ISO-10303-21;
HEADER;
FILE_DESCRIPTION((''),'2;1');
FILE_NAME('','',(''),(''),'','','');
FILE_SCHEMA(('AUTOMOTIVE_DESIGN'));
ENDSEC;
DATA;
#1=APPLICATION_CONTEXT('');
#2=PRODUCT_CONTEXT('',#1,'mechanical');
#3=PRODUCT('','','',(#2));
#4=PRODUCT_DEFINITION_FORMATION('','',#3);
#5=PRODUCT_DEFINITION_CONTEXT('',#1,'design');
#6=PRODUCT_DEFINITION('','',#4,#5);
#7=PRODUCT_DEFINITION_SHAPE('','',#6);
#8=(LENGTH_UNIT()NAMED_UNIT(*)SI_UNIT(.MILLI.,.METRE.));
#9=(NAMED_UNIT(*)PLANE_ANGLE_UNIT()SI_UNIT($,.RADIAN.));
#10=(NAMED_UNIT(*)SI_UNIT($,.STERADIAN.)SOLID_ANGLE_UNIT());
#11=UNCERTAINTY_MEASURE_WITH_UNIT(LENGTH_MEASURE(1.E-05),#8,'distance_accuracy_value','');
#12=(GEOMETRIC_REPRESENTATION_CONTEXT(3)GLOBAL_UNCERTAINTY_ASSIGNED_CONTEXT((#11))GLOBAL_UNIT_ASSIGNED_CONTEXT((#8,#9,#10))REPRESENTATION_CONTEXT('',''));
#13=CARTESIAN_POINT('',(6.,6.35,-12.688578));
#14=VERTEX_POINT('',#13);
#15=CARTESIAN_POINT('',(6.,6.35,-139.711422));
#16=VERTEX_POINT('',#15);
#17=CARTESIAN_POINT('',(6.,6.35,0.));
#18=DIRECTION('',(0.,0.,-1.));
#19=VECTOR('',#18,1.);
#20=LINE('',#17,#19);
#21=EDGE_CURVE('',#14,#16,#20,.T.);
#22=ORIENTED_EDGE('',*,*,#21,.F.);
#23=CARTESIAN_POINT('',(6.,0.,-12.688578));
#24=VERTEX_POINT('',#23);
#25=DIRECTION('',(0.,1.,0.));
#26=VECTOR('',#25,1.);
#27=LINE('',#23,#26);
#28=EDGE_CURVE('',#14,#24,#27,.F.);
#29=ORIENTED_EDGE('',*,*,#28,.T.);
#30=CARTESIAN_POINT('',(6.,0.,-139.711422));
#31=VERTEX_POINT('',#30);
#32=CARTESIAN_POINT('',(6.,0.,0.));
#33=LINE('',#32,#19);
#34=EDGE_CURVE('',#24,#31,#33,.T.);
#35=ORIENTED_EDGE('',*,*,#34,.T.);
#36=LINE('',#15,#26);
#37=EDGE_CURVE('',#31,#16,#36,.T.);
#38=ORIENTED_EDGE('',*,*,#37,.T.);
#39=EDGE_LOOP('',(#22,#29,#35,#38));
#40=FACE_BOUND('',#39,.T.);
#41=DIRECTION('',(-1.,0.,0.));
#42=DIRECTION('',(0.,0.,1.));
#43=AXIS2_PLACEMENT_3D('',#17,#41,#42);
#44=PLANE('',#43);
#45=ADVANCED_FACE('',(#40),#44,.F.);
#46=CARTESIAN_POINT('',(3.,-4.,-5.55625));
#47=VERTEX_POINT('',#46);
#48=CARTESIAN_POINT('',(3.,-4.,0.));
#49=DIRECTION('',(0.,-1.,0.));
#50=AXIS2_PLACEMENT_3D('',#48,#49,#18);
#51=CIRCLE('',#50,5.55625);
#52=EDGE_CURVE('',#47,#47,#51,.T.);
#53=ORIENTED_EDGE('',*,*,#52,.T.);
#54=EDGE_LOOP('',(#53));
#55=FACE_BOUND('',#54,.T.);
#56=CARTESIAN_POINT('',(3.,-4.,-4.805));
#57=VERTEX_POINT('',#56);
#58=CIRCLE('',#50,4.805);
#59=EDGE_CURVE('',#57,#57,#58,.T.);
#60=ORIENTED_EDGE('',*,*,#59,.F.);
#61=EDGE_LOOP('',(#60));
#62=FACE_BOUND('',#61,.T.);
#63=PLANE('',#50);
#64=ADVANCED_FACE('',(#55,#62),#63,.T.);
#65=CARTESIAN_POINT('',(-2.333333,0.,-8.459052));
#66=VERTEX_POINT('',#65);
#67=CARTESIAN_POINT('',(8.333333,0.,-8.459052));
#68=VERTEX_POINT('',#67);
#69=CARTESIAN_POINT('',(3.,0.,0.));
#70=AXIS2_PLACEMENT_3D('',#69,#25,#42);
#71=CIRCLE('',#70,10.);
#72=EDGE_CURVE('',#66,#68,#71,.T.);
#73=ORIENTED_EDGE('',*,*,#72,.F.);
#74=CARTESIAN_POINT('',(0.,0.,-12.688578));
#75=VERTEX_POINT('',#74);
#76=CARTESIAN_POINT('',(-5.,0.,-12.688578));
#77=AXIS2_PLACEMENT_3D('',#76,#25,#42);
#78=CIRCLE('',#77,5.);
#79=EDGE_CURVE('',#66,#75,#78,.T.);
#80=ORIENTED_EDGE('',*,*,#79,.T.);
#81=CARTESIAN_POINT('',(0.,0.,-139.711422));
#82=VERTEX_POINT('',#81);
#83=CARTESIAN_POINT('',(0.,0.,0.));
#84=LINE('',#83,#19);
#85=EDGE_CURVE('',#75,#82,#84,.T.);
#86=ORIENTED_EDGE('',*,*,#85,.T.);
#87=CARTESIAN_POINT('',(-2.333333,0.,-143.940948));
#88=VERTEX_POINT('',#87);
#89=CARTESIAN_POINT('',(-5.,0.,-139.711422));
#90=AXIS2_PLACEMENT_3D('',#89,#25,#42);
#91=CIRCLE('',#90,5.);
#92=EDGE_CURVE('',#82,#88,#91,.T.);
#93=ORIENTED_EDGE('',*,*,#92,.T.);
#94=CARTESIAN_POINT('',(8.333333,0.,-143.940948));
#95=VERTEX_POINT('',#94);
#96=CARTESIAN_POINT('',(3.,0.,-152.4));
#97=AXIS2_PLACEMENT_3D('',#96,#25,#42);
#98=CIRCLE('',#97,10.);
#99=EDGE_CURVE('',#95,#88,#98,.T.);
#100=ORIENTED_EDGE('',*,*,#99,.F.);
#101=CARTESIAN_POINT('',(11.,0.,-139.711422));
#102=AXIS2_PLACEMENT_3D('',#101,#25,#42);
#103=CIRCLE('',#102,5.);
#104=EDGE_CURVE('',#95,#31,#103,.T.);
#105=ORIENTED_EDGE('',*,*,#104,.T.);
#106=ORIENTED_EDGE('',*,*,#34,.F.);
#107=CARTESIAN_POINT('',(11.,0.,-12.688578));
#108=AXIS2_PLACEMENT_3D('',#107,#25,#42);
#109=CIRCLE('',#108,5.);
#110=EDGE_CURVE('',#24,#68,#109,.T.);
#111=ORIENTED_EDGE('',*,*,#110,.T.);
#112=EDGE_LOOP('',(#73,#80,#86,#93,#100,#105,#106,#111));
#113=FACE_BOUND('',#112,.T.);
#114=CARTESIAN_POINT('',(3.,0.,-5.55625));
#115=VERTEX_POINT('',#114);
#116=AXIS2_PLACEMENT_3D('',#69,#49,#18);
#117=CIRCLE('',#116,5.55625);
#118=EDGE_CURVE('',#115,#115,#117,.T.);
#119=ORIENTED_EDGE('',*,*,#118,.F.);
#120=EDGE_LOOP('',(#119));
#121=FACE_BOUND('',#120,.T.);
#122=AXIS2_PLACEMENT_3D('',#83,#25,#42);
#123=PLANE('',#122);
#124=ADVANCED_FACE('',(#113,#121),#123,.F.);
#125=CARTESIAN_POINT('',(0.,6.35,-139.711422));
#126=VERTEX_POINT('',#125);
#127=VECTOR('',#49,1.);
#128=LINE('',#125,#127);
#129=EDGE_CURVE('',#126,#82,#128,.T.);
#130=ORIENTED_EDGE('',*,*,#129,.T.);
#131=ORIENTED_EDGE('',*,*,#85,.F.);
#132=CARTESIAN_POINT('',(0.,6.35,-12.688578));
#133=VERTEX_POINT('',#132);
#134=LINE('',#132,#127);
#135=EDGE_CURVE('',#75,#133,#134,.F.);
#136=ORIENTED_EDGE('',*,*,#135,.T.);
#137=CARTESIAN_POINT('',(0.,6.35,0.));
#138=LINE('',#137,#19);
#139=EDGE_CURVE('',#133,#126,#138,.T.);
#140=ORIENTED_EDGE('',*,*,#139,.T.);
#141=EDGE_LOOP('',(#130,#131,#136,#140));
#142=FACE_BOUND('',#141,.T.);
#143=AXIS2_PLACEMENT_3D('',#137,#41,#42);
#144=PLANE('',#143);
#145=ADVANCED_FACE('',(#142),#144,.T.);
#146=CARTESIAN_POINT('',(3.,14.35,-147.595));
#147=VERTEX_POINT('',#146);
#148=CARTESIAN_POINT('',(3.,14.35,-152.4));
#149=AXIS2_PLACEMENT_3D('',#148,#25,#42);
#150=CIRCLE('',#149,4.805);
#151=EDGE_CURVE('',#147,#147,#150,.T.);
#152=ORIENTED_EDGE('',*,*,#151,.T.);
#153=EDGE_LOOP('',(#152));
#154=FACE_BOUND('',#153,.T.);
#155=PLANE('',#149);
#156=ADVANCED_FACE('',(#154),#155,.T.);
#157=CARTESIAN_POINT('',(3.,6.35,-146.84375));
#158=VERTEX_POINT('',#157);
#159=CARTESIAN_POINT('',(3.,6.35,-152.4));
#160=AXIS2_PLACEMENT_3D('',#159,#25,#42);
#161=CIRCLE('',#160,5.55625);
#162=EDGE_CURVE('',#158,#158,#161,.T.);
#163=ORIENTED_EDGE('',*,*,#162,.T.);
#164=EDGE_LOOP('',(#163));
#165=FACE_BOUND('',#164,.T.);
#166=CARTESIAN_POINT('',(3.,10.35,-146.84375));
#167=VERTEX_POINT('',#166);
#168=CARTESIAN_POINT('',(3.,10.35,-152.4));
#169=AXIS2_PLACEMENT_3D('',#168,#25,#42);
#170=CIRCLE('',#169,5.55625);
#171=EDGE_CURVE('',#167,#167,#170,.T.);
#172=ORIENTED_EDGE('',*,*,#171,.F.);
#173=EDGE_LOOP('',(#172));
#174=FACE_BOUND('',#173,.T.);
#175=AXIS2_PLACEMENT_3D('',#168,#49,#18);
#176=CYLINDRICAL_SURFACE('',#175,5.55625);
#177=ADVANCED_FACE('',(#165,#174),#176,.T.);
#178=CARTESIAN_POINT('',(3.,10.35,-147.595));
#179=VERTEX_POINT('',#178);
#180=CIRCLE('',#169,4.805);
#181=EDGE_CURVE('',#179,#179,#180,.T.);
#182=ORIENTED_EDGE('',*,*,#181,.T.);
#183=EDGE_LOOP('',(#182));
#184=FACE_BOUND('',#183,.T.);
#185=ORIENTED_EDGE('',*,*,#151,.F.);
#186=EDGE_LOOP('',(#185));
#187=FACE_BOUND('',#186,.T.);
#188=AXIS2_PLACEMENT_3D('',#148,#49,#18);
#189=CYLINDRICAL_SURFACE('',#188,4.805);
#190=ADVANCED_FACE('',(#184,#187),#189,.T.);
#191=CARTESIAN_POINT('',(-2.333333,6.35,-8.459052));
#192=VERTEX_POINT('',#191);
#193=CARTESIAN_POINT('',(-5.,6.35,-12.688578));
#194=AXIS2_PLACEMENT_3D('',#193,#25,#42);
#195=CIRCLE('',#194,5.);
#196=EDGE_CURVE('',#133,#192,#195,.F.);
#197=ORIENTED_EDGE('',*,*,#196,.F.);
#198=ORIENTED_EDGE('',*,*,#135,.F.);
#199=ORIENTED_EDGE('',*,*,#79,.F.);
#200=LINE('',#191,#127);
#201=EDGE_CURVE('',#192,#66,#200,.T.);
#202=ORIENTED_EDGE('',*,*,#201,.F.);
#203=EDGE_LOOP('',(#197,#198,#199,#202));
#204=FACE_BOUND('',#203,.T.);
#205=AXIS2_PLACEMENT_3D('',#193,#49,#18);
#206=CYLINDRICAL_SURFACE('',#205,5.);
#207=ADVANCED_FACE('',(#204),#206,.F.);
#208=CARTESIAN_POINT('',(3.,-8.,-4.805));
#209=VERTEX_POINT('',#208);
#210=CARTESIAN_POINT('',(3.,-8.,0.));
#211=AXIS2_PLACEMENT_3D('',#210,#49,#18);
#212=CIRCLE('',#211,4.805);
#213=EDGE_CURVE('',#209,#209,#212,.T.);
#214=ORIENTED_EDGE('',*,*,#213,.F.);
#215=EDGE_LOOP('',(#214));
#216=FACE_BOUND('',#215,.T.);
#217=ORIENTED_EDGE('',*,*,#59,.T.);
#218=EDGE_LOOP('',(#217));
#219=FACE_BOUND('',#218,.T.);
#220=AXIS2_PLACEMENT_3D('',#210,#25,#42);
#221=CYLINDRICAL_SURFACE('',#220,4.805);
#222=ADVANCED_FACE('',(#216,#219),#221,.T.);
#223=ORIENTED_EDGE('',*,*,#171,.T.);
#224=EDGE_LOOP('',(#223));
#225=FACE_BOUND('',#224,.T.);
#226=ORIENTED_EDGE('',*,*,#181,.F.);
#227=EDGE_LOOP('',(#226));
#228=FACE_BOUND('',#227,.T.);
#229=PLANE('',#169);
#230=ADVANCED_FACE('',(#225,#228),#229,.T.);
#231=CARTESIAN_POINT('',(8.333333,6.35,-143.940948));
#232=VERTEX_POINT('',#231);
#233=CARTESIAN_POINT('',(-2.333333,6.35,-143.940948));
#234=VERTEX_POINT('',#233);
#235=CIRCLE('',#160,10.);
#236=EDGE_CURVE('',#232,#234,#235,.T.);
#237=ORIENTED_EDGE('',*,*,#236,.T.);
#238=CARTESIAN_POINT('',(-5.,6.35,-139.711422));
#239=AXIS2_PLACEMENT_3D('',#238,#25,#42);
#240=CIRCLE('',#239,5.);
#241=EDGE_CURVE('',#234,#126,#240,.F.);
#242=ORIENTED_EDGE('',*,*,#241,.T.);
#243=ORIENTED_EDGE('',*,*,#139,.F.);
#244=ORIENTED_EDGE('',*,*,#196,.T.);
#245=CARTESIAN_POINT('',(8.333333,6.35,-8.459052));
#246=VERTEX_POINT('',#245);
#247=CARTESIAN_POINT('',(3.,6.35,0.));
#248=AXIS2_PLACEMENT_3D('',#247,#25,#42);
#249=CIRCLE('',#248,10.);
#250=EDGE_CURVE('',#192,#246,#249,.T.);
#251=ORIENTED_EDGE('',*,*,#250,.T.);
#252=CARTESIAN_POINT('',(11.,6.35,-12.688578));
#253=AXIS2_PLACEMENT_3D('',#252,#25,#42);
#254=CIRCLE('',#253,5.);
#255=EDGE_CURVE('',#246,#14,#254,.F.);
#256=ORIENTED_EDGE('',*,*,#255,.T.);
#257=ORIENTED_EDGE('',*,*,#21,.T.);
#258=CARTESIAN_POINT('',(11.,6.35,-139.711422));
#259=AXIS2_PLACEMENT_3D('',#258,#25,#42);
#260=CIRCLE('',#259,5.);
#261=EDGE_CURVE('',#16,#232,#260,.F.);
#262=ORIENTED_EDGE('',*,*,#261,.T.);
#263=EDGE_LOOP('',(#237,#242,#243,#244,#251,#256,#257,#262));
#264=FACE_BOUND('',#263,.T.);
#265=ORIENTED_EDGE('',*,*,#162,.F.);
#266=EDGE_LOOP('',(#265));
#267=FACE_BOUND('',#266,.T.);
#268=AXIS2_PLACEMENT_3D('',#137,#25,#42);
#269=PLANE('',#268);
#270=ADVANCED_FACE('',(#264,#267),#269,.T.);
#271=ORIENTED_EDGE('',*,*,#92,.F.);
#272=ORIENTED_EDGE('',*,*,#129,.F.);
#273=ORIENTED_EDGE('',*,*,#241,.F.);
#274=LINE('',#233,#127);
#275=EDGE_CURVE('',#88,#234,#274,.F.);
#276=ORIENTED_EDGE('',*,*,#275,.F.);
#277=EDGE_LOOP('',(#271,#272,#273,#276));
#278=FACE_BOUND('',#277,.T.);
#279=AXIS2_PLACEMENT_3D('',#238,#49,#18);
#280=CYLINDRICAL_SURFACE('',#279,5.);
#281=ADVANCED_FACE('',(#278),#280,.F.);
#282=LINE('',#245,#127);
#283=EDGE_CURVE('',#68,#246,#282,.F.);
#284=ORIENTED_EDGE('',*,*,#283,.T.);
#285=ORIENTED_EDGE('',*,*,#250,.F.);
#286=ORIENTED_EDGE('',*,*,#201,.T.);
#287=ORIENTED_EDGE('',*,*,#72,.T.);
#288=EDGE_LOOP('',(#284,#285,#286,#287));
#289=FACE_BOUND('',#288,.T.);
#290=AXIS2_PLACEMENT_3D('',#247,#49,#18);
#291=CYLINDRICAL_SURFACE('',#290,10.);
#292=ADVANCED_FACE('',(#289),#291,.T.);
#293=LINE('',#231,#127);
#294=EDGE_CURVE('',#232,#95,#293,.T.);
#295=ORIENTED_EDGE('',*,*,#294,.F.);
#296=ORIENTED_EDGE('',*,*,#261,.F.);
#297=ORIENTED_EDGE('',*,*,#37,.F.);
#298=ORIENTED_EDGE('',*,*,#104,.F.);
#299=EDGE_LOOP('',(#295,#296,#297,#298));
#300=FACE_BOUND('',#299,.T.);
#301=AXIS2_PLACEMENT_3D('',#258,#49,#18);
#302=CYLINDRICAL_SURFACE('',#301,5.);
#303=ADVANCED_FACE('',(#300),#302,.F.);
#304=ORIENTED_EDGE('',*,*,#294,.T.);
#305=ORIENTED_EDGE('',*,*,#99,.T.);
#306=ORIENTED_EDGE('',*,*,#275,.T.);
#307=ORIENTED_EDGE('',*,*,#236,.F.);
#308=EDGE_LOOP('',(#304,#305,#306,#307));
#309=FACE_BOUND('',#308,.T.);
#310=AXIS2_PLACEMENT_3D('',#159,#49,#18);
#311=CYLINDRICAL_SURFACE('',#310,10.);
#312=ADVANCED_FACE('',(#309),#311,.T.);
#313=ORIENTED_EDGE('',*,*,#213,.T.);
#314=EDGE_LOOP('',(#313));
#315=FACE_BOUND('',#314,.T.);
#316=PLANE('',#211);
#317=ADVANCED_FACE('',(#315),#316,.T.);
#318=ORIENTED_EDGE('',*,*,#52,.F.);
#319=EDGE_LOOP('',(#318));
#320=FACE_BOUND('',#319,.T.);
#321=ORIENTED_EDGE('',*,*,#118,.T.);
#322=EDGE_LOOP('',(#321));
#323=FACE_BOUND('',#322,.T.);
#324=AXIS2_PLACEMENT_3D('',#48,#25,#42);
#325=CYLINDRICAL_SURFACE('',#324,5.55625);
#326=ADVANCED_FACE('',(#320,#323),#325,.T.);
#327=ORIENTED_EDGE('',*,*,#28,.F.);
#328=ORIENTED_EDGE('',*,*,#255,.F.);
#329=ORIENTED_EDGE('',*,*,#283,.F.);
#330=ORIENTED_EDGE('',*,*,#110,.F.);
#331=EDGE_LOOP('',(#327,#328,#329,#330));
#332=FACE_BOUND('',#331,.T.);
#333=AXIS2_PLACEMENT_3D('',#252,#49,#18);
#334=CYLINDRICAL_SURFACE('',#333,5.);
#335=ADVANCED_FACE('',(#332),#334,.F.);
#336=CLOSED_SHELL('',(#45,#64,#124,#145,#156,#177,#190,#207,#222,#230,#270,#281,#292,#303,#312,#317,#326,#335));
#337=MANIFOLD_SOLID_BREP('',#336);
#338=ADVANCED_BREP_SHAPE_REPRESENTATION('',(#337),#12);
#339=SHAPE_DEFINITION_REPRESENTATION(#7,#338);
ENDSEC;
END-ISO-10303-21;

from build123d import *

# Parameters (mm, degrees)
BOSS_EXTRUDE1_DEPTH = 6.35
SKETCH2_R           = 5.55625
BOSS_EXTRUDE2_DEPTH = 4
SKETCH4_R           = 4.805
BOSS_EXTRUDE3_DEPTH = 4
SKETCH5_R           = 5.55625
BOSS_EXTRUDE4_DEPTH = 4
SKETCH6_R           = 4.805
BOSS_EXTRUDE5_DEPTH = 4
FILLET1_R           = 5


with BuildPart() as part:
    # Sketch1 → Boss-Extrude1 (new body)
    with BuildSketch(Plane(origin=(0, 0, 0), x_dir=(1, 0, 0), z_dir=(0, 1, 0))):
        with BuildLine():
            Line((0, 9.539392014), (0, 0))
            Line((0, 0), (6, 0))
            Line((6, 0), (6, 9.539392014))
            ThreePointArc((6, 9.539392014), (3, 10), (0, 9.539392014))
        make_face()
        with BuildLine():
            Line((6, 0), (0, 0))
            Line((0, 0), (0, 9.539392014))
            ThreePointArc((0, 9.539392014), (-2.916079783, -8.062257748), (13, 0))
            ThreePointArc((13, 0), (11.062257748, 5.916079783), (6, 9.539392014))
            Line((6, 9.539392014), (6, 0))
        make_face()
        with BuildLine():
            Line((0, 142.860607986), (0, 9.539392014))
            ThreePointArc((0, 9.539392014), (3, 10), (6, 9.539392014))
            Line((6, 9.539392014), (6, 142.860607986))
            ThreePointArc((6, 142.860607986), (3, 142.4), (0, 142.860607986))
        make_face()
        with BuildLine():
            ThreePointArc((13, 152.4), (-2.916079783, 160.462257748), (0, 142.860607986))
            Line((0, 142.860607986), (0, 152.4))
            Line((0, 152.4), (6, 152.4))
            Line((6, 152.4), (6, 142.860607986))
            ThreePointArc((6, 142.860607986), (11.062257748, 146.483920217), (13, 152.4))
        make_face()
        with BuildLine():
            Line((0, 152.4), (0, 142.860607986))
            ThreePointArc((0, 142.860607986), (3, 142.4), (6, 142.860607986))
            Line((6, 142.860607986), (6, 152.4))
            Line((6, 152.4), (0, 152.4))
        make_face()
    extrude(amount=BOSS_EXTRUDE1_DEPTH)

    # Sketch2 → Boss-Extrude2 (add)
    with BuildSketch(Plane(origin=(0, 6.35, 0), x_dir=(1, 0, 0), z_dir=(0, 1, 0))):
        with Locations(Location((3, 152.4, 0), (0, 0, 270))):
            Circle(SKETCH2_R)
    extrude(amount=BOSS_EXTRUDE2_DEPTH)

    # Sketch4 → Boss-Extrude3 (add)
    with BuildSketch(Plane(origin=(0, 10.35, 0), x_dir=(1, 0, 0), z_dir=(0, 1, 0))):
        with Locations(Location((3, 152.4, 0), (0, 0, 270))):
            Circle(SKETCH4_R)
    extrude(amount=BOSS_EXTRUDE3_DEPTH)

    # Sketch5 → Boss-Extrude4 (add)
    with BuildSketch(Plane.XZ):
        with Locations(Location((3, 0, 0), (0, 0, 270))):
            Circle(SKETCH5_R)
    extrude(amount=BOSS_EXTRUDE4_DEPTH)

    # Sketch6 → Boss-Extrude5 (add)
    with BuildSketch(Plane.XZ.offset(4)):
        with Locations(Location((3, 0, 0), (0, 0, 270))):
            Circle(SKETCH6_R)
    extrude(amount=BOSS_EXTRUDE5_DEPTH)

    # Fillet1
    fillet1_edges = [part.edges().sort_by_distance(p)[0] for p in [
        (0, 3.175, -9.539392014),
        (0, 3.175, -142.860607986),
        (6, 3.175, -142.860607986),
        (6, 3.175, -9.539392014),
    ]]
    fillet(fillet1_edges, radius=FILLET1_R)


solid = part.part
